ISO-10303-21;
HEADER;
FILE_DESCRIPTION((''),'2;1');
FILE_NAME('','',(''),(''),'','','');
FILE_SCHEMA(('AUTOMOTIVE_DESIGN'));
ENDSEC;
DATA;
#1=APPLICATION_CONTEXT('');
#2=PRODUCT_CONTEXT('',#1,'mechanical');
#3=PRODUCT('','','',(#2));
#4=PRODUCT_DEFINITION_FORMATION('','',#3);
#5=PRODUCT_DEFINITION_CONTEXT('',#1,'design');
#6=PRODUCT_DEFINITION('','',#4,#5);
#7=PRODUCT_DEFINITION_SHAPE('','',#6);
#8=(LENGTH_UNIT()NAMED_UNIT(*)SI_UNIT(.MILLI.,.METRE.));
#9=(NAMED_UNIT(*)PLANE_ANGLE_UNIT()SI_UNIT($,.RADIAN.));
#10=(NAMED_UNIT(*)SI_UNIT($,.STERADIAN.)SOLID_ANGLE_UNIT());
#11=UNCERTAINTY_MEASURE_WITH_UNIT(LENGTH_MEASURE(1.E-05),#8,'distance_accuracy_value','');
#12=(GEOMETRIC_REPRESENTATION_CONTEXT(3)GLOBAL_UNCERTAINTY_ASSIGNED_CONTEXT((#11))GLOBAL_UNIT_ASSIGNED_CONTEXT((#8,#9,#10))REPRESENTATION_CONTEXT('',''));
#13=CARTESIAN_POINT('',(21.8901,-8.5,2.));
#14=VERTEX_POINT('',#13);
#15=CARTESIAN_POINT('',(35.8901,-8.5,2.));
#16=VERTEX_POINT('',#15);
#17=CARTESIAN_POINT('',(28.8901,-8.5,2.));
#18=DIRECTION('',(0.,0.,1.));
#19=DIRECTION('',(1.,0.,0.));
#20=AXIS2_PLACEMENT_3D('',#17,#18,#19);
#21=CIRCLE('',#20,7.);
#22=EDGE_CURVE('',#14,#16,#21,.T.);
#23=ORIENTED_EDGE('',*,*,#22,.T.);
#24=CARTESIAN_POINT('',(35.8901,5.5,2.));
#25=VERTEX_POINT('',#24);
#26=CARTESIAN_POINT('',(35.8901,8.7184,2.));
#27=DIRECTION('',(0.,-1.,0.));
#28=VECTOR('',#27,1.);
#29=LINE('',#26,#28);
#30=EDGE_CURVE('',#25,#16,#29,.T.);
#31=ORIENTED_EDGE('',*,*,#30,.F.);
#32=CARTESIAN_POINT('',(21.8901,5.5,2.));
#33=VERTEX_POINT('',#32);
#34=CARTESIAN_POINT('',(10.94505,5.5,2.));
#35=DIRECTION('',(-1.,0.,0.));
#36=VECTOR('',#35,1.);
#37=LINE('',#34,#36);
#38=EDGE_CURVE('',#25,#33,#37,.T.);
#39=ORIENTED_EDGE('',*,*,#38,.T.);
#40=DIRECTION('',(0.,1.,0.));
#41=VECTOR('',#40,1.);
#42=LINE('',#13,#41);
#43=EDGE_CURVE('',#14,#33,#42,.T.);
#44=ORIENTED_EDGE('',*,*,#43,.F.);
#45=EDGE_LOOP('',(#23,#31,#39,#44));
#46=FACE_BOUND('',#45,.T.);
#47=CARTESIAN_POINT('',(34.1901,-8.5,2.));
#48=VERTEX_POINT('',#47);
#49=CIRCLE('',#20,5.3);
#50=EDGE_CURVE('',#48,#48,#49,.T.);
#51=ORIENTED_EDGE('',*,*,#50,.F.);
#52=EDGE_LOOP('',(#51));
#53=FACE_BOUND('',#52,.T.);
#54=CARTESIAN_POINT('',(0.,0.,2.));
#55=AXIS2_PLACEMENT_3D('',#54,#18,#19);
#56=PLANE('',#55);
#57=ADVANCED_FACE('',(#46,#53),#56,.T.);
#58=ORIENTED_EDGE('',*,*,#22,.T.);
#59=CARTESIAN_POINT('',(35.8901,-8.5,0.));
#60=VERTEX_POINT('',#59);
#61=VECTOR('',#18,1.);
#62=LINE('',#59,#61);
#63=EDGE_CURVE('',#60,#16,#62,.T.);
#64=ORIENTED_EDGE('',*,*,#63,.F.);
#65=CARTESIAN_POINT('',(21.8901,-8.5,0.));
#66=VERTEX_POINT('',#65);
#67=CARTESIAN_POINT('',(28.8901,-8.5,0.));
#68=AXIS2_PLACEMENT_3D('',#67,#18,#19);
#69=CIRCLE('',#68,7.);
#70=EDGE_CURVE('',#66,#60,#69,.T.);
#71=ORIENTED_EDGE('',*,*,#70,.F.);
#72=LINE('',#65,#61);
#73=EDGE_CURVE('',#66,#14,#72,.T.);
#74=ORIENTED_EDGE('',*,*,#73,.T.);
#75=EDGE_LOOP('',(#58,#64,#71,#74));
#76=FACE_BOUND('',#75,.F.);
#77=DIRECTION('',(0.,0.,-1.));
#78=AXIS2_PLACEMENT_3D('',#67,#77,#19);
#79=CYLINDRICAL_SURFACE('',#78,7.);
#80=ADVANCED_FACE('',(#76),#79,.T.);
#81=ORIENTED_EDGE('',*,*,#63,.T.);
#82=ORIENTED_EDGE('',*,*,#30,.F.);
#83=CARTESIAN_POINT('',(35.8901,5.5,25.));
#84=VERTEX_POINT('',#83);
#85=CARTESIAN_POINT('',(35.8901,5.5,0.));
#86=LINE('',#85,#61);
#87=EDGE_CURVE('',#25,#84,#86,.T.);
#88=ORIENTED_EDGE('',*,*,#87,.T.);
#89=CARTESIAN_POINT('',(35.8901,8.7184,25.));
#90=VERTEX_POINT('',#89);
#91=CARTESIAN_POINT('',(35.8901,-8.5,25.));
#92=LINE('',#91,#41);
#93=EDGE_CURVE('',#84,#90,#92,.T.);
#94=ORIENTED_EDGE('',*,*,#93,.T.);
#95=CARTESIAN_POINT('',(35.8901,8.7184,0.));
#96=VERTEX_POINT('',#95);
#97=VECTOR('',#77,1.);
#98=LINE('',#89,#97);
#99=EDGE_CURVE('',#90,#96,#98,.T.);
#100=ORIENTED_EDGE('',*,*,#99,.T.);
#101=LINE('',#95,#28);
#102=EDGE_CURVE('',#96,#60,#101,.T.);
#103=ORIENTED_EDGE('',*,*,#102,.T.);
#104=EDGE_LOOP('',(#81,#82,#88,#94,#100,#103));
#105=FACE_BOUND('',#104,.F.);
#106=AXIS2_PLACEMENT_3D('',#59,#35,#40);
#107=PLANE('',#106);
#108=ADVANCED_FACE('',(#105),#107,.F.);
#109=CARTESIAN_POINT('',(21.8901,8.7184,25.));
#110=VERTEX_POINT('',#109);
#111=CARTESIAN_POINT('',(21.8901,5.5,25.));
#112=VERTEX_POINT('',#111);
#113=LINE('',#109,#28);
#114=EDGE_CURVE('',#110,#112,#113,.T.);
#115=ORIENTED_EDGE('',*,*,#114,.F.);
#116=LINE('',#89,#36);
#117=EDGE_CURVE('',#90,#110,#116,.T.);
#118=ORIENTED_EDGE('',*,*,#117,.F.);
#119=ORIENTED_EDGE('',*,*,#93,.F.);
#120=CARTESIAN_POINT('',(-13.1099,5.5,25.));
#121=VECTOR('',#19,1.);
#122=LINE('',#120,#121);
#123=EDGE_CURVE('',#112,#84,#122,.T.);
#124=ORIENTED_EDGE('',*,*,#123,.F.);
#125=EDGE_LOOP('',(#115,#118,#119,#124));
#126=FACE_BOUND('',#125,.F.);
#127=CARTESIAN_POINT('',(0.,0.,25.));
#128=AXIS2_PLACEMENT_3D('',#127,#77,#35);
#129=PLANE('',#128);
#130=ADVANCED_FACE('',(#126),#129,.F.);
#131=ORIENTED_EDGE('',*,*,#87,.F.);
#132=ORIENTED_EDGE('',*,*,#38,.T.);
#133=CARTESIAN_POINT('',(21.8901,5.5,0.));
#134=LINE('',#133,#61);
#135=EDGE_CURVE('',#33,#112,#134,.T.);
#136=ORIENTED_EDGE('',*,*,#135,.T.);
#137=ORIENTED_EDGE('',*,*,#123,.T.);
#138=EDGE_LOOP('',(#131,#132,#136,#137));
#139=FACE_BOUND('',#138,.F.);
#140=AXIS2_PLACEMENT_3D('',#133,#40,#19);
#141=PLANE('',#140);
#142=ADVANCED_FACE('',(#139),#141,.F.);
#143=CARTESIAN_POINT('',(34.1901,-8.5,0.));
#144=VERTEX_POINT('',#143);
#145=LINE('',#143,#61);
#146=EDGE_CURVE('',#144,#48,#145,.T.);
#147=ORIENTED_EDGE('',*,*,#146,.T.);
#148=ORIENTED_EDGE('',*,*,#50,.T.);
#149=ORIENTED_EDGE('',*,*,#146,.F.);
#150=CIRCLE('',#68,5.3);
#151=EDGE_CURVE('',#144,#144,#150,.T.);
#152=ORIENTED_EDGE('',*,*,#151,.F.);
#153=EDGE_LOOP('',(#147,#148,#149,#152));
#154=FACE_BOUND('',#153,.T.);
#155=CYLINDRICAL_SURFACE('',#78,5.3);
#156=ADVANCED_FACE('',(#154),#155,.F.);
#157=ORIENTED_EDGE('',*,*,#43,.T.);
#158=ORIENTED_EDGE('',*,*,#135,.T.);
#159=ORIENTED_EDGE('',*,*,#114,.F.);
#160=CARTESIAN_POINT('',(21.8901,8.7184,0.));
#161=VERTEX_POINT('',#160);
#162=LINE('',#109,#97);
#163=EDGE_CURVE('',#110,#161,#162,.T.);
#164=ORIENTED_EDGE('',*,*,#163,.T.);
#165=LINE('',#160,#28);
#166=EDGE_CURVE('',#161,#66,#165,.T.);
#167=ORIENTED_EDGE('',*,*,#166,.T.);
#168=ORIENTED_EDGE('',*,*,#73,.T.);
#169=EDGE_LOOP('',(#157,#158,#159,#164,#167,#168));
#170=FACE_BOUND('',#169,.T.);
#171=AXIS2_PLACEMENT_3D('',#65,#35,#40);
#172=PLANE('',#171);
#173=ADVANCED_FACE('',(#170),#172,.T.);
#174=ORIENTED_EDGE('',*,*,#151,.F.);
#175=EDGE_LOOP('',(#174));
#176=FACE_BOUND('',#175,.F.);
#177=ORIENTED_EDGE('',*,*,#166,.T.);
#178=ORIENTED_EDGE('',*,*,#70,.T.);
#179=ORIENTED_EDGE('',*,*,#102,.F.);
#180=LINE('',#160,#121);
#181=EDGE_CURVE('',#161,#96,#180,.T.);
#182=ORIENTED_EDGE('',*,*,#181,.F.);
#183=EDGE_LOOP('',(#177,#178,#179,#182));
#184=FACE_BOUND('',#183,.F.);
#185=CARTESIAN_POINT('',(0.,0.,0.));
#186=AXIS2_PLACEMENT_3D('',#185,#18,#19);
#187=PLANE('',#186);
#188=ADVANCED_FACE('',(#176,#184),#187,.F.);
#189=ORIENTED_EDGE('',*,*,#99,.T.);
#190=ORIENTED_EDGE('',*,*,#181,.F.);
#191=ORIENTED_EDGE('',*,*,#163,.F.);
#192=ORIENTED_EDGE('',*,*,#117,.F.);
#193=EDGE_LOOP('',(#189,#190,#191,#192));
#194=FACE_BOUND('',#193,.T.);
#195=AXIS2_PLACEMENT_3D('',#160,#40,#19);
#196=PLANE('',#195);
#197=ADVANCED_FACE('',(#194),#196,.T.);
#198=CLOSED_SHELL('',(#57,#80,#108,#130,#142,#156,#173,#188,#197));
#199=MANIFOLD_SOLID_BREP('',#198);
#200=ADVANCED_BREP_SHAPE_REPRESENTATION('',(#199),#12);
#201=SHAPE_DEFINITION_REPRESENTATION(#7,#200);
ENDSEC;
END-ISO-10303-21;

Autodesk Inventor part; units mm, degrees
ref_plane "YZ Plane" through (0, 0, 0) normal (1, 0, 0) x (0, 1, 0)
ref_plane "XZ Plane" through (0, 0, 0) normal (0, 1, 0) x (-1, 0, 0)
ref_plane "XY Plane" through (0, 0, 0) normal (0, 0, 1) x (1, 0, 0)
ref_plane "작업 평면1" through (0, 0, 0) normal (0, 0, 1) x (1, 0, 0)
sketch "스케치1" plane through (0, 0, 0) normal (0, 0, 1) x (1, 0, 0)
  circle A0 centre (28.8901, -8.5) radius 5 projected
  circle A1 centre (28.8901, -8.5) radius 5.3
  circle A2 centre (28.8901, -8.5) radius 7
  line L0 (46.6099, 5.5) -> (-13.1099, 5.5) projected
  line L1 (46.6099, -16.5) -> (46.6099, 5.5) projected
  line L2 (35.8901, -8.5) -> (35.8901, 5.5)
  line L3 (21.8901, -8.5) -> (21.8901, 5.5)
  line L4 (35.8901, 5.5) -> (21.8901, 5.5)
  line L5 (21.8901, 5.5) -> (21.8901, 8.7184)
  line L6 (21.8901, 8.7184) -> (35.8901, 8.7184)
  line L7 (35.8901, 8.7184) -> (35.8901, 5.5)
  line L8 (21.8901, 5.5) -> (35.8901, 5.5)
  point P0 (0, 0)
  point P1 (21.8901, 5.5)
  dimension "d0" = 0.3
  dimension "d1" = 2
extrude "돌출1" add sketch "스케치1" along normal blind 2 contours A2 | A2 L3 L0 L2 | L0 L5 L6 L7
sketch "스케치2" plane through (0, 0, 0) normal (0, 0, -1) x (-1, 0, 0)
  line L0 (-21.8901, 8.7184) -> (-21.8901, -8.5) projected
  line L1 (-35.8901, 8.7184) -> (-21.8901, 8.7184) projected
  line L2 (-35.8901, -8.5) -> (-35.8901, 8.7184) projected
  line L3 (13.1099, 5.5) -> (-46.6099, 5.5) projected
  point P0 (0, 0)
  point P1 (-35.8901, 5.5)
  point P2 (-21.8901, 5.5)
extrude "돌출2" add sketch "스케치2" against normal blind 25
properties material "고무, 검은색"
